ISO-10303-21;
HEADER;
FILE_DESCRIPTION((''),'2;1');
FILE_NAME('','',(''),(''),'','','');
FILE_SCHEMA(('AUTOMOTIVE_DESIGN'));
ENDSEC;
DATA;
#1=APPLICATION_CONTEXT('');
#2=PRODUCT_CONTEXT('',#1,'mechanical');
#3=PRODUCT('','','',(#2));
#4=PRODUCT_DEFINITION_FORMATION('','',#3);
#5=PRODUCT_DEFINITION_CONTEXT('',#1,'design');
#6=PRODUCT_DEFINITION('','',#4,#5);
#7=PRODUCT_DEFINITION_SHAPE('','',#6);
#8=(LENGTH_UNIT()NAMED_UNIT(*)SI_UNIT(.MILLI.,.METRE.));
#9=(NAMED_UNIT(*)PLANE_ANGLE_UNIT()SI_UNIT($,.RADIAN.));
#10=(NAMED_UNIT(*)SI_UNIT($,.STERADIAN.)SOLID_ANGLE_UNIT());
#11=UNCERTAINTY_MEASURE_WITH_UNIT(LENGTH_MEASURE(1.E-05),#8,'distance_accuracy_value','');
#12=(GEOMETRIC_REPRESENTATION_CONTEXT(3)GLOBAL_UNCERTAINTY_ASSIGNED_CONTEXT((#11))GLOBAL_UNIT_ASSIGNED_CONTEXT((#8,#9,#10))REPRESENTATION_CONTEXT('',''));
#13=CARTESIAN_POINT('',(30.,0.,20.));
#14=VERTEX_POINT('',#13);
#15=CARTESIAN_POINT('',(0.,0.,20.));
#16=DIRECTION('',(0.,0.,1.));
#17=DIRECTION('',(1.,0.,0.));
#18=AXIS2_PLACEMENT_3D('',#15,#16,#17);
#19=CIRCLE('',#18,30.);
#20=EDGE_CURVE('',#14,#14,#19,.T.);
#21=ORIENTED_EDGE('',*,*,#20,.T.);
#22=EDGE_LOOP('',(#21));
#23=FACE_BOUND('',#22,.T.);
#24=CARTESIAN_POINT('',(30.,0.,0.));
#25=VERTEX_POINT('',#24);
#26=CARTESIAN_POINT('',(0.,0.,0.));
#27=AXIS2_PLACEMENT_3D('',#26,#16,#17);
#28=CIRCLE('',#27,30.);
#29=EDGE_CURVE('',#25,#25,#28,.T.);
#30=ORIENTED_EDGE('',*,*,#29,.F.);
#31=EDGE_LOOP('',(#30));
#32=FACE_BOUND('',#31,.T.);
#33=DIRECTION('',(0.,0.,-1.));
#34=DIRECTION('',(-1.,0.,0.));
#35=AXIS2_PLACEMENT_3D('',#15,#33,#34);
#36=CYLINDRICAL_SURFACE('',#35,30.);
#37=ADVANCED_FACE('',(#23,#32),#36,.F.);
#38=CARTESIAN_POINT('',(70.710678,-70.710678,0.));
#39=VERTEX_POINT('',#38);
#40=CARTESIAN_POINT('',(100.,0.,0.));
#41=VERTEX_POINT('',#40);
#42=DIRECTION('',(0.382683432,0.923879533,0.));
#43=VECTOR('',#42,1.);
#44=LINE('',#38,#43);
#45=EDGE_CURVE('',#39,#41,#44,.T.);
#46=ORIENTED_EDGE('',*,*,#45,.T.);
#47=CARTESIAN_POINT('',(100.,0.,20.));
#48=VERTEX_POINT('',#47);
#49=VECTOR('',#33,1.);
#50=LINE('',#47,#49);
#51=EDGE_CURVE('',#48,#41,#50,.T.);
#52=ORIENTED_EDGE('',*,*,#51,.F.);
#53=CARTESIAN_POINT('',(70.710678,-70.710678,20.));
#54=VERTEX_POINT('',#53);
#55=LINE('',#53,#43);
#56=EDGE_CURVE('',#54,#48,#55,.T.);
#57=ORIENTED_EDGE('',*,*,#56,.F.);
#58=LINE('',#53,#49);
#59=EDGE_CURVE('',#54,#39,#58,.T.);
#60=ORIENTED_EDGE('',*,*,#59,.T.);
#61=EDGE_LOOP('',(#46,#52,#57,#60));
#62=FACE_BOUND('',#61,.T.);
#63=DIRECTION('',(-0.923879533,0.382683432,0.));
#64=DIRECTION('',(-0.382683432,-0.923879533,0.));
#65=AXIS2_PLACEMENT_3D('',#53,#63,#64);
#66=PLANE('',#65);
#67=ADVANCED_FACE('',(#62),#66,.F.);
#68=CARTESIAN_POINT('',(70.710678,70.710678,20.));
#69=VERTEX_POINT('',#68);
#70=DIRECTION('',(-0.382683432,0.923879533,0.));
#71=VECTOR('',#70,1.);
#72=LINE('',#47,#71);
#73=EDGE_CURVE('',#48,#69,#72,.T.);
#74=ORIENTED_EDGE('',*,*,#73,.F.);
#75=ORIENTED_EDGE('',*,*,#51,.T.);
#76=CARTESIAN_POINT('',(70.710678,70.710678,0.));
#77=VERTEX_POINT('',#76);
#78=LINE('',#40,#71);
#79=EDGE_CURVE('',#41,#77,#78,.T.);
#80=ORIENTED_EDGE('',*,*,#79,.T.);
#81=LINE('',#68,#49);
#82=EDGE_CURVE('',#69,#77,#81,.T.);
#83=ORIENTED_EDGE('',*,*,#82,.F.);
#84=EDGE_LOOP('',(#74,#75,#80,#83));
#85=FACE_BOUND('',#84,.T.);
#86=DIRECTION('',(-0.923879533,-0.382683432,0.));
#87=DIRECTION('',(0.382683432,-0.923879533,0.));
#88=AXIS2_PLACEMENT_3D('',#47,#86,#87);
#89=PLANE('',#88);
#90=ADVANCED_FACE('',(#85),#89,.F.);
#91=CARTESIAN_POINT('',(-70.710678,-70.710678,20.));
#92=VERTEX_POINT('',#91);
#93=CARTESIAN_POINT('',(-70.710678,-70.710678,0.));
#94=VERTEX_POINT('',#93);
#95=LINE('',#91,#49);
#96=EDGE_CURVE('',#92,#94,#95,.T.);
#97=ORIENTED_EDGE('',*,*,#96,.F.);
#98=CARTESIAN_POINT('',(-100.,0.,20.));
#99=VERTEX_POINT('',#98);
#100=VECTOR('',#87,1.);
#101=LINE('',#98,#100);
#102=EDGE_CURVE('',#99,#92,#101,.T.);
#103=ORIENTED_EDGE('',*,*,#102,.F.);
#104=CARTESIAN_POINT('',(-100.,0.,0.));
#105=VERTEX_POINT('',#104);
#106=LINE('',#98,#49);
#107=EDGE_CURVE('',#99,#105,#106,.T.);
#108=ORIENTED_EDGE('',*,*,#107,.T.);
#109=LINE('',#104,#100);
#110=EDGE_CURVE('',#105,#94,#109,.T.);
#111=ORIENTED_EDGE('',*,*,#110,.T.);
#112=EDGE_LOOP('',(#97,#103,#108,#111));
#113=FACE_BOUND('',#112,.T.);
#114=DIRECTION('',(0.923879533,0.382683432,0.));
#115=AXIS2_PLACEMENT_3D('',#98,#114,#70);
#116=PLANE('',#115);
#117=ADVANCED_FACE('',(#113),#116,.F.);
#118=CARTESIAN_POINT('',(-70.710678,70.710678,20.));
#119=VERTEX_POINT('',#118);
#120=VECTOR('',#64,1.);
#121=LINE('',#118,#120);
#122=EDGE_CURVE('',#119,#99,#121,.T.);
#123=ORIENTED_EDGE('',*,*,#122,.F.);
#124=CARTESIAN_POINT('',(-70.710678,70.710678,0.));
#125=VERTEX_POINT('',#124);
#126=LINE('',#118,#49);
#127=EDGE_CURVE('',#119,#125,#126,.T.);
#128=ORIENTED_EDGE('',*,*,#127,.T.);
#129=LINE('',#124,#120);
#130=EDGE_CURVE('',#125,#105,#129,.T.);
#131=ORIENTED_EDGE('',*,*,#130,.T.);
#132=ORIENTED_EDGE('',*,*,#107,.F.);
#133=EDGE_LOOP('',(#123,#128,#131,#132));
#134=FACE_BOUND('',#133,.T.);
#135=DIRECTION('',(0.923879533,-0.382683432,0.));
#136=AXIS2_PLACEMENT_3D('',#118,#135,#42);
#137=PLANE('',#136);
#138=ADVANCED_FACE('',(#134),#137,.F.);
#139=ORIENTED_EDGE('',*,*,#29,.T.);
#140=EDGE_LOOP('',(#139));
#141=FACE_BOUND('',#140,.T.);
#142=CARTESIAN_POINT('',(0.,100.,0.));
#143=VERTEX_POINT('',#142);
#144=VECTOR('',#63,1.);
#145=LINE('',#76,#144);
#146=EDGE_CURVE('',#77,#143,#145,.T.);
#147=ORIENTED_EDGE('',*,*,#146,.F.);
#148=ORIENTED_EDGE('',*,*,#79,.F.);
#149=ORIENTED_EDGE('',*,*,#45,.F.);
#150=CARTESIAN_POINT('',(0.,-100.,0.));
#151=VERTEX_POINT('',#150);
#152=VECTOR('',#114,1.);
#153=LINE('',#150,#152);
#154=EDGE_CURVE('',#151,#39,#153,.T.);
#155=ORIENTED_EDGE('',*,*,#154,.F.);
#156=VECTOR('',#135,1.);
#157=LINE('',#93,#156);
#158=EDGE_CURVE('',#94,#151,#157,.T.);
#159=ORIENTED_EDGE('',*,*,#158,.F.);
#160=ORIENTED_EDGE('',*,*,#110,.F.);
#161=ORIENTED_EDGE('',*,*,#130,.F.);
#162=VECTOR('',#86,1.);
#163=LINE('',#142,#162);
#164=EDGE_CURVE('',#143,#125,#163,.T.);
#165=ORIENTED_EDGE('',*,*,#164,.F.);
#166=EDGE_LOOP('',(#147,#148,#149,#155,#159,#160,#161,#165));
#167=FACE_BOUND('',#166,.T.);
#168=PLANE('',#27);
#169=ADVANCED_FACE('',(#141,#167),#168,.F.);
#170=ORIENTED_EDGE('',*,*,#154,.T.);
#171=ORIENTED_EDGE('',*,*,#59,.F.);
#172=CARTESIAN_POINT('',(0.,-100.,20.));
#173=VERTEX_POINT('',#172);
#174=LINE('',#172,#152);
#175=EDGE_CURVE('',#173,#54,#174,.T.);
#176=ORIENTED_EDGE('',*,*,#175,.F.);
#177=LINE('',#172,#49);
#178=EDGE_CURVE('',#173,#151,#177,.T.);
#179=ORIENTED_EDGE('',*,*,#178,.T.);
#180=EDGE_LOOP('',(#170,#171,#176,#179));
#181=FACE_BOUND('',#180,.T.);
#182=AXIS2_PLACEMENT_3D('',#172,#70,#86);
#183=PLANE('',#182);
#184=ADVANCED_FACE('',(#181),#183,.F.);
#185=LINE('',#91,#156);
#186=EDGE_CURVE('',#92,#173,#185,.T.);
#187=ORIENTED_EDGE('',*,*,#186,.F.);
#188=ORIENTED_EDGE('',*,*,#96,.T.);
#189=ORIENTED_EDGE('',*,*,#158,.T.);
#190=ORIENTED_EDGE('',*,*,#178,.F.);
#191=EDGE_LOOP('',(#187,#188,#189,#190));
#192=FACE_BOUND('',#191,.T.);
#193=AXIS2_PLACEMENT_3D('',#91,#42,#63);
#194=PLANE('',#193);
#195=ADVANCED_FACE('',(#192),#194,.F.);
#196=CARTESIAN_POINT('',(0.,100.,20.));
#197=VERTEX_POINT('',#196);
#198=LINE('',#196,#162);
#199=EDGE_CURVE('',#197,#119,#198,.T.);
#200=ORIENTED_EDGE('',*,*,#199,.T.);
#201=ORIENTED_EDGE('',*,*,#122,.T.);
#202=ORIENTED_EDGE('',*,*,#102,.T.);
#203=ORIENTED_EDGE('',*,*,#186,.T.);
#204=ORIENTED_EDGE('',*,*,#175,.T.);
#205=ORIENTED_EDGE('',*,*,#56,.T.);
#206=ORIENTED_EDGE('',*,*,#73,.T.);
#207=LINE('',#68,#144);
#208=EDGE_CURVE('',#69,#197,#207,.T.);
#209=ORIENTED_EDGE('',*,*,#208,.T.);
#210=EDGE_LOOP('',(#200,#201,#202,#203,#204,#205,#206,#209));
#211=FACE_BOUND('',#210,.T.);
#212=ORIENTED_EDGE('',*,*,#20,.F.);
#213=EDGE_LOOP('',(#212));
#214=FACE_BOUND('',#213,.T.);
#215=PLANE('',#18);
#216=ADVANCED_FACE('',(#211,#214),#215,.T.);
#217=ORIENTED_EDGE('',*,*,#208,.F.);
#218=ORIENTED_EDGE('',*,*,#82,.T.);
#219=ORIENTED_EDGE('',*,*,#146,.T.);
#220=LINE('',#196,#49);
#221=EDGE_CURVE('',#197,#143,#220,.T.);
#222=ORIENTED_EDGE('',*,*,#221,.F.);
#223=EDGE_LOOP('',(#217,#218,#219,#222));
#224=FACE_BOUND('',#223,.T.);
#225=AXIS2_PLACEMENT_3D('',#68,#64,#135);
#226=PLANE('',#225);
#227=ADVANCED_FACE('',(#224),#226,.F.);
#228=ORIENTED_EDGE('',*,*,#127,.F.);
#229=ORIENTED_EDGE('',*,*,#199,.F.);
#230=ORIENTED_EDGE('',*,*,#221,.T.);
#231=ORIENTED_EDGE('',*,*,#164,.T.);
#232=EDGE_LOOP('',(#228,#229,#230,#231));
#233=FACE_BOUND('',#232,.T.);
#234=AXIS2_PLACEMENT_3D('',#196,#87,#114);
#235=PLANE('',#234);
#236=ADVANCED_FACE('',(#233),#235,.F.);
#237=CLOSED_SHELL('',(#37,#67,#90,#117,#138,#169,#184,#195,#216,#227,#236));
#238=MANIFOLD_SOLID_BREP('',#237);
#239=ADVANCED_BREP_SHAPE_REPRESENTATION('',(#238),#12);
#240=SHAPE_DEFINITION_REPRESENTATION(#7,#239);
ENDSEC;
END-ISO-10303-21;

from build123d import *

# Parameters (mm, degrees)
EXTRUDE_1_DEPTH     = 20
SKETCH_2_R          = 30
CUT_EXTRUDE_2_DEPTH = 143.828568571


with BuildPart() as part:
    # 草图1 → 凸台-拉伸1 (new body)
    with BuildSketch(Plane.XY):
        Polygon((100, 0), (70.710678119, 70.710678119), (0, 100), (-70.710678119, 70.710678119), (-100, 0), (-70.710678119, -70.710678119), (0, -100), (70.710678119, -70.710678119), align=None)
    extrude(amount=EXTRUDE_1_DEPTH)

    # 草图2 → 切除-拉伸2 (cut, through all)
    with BuildSketch(Plane.XY):
        Circle(SKETCH_2_R)
    extrude(amount=CUT_EXTRUDE_2_DEPTH, mode=Mode.SUBTRACT)


solid = part.part
